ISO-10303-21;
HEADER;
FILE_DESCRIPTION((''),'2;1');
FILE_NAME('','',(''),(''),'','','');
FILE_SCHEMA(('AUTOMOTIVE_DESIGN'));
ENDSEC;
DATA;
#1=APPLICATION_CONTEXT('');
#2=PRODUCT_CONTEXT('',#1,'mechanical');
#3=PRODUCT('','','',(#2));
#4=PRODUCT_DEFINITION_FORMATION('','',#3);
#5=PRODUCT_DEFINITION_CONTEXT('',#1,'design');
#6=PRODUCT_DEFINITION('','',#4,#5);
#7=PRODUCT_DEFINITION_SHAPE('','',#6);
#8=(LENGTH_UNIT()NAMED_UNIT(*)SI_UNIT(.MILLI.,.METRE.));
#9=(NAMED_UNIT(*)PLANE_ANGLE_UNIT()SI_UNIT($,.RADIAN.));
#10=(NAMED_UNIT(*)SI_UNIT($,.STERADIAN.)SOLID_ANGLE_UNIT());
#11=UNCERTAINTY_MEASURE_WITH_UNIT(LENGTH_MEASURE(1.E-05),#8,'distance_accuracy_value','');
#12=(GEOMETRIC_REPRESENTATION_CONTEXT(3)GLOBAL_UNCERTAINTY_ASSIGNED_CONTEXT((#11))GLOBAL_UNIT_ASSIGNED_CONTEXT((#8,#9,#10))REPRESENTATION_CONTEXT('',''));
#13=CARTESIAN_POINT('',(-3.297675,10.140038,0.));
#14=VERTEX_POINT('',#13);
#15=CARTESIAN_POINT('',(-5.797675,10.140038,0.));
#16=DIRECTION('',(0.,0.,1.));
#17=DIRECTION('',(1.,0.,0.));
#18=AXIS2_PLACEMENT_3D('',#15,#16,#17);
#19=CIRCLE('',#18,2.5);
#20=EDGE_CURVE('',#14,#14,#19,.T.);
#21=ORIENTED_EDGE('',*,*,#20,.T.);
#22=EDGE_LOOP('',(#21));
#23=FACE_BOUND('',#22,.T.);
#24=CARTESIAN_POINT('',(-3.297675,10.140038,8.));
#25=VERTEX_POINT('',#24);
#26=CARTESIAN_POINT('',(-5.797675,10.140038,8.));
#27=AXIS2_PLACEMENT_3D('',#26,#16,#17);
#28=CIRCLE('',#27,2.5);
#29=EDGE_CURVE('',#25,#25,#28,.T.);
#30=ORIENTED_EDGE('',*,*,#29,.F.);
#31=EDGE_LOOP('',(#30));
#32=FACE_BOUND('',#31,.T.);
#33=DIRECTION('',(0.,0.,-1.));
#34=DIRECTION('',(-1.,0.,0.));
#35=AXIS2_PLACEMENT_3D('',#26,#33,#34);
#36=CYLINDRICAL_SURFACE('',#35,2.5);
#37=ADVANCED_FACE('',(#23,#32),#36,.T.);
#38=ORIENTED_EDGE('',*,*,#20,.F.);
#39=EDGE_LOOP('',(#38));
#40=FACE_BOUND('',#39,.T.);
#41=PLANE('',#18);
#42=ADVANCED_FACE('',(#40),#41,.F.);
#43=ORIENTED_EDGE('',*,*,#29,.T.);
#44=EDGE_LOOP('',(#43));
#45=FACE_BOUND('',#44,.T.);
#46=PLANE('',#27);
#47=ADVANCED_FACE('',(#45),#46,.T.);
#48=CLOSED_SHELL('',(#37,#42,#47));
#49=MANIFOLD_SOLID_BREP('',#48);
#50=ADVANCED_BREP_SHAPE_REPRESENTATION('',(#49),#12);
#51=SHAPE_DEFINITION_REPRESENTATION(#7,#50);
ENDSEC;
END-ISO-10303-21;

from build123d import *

# Parameters (mm, degrees)
SKETCH_1_R      = 2.5
EXTRUDE_1_DEPTH = 8


with BuildPart() as part:
    # 草图1 → 凸台-拉伸1 (new body)
    with BuildSketch(Plane.XY):
        with Locations((-5.79767482, 10.140038114)):
            Circle(SKETCH_1_R)
    extrude(amount=EXTRUDE_1_DEPTH)


solid = part.part
